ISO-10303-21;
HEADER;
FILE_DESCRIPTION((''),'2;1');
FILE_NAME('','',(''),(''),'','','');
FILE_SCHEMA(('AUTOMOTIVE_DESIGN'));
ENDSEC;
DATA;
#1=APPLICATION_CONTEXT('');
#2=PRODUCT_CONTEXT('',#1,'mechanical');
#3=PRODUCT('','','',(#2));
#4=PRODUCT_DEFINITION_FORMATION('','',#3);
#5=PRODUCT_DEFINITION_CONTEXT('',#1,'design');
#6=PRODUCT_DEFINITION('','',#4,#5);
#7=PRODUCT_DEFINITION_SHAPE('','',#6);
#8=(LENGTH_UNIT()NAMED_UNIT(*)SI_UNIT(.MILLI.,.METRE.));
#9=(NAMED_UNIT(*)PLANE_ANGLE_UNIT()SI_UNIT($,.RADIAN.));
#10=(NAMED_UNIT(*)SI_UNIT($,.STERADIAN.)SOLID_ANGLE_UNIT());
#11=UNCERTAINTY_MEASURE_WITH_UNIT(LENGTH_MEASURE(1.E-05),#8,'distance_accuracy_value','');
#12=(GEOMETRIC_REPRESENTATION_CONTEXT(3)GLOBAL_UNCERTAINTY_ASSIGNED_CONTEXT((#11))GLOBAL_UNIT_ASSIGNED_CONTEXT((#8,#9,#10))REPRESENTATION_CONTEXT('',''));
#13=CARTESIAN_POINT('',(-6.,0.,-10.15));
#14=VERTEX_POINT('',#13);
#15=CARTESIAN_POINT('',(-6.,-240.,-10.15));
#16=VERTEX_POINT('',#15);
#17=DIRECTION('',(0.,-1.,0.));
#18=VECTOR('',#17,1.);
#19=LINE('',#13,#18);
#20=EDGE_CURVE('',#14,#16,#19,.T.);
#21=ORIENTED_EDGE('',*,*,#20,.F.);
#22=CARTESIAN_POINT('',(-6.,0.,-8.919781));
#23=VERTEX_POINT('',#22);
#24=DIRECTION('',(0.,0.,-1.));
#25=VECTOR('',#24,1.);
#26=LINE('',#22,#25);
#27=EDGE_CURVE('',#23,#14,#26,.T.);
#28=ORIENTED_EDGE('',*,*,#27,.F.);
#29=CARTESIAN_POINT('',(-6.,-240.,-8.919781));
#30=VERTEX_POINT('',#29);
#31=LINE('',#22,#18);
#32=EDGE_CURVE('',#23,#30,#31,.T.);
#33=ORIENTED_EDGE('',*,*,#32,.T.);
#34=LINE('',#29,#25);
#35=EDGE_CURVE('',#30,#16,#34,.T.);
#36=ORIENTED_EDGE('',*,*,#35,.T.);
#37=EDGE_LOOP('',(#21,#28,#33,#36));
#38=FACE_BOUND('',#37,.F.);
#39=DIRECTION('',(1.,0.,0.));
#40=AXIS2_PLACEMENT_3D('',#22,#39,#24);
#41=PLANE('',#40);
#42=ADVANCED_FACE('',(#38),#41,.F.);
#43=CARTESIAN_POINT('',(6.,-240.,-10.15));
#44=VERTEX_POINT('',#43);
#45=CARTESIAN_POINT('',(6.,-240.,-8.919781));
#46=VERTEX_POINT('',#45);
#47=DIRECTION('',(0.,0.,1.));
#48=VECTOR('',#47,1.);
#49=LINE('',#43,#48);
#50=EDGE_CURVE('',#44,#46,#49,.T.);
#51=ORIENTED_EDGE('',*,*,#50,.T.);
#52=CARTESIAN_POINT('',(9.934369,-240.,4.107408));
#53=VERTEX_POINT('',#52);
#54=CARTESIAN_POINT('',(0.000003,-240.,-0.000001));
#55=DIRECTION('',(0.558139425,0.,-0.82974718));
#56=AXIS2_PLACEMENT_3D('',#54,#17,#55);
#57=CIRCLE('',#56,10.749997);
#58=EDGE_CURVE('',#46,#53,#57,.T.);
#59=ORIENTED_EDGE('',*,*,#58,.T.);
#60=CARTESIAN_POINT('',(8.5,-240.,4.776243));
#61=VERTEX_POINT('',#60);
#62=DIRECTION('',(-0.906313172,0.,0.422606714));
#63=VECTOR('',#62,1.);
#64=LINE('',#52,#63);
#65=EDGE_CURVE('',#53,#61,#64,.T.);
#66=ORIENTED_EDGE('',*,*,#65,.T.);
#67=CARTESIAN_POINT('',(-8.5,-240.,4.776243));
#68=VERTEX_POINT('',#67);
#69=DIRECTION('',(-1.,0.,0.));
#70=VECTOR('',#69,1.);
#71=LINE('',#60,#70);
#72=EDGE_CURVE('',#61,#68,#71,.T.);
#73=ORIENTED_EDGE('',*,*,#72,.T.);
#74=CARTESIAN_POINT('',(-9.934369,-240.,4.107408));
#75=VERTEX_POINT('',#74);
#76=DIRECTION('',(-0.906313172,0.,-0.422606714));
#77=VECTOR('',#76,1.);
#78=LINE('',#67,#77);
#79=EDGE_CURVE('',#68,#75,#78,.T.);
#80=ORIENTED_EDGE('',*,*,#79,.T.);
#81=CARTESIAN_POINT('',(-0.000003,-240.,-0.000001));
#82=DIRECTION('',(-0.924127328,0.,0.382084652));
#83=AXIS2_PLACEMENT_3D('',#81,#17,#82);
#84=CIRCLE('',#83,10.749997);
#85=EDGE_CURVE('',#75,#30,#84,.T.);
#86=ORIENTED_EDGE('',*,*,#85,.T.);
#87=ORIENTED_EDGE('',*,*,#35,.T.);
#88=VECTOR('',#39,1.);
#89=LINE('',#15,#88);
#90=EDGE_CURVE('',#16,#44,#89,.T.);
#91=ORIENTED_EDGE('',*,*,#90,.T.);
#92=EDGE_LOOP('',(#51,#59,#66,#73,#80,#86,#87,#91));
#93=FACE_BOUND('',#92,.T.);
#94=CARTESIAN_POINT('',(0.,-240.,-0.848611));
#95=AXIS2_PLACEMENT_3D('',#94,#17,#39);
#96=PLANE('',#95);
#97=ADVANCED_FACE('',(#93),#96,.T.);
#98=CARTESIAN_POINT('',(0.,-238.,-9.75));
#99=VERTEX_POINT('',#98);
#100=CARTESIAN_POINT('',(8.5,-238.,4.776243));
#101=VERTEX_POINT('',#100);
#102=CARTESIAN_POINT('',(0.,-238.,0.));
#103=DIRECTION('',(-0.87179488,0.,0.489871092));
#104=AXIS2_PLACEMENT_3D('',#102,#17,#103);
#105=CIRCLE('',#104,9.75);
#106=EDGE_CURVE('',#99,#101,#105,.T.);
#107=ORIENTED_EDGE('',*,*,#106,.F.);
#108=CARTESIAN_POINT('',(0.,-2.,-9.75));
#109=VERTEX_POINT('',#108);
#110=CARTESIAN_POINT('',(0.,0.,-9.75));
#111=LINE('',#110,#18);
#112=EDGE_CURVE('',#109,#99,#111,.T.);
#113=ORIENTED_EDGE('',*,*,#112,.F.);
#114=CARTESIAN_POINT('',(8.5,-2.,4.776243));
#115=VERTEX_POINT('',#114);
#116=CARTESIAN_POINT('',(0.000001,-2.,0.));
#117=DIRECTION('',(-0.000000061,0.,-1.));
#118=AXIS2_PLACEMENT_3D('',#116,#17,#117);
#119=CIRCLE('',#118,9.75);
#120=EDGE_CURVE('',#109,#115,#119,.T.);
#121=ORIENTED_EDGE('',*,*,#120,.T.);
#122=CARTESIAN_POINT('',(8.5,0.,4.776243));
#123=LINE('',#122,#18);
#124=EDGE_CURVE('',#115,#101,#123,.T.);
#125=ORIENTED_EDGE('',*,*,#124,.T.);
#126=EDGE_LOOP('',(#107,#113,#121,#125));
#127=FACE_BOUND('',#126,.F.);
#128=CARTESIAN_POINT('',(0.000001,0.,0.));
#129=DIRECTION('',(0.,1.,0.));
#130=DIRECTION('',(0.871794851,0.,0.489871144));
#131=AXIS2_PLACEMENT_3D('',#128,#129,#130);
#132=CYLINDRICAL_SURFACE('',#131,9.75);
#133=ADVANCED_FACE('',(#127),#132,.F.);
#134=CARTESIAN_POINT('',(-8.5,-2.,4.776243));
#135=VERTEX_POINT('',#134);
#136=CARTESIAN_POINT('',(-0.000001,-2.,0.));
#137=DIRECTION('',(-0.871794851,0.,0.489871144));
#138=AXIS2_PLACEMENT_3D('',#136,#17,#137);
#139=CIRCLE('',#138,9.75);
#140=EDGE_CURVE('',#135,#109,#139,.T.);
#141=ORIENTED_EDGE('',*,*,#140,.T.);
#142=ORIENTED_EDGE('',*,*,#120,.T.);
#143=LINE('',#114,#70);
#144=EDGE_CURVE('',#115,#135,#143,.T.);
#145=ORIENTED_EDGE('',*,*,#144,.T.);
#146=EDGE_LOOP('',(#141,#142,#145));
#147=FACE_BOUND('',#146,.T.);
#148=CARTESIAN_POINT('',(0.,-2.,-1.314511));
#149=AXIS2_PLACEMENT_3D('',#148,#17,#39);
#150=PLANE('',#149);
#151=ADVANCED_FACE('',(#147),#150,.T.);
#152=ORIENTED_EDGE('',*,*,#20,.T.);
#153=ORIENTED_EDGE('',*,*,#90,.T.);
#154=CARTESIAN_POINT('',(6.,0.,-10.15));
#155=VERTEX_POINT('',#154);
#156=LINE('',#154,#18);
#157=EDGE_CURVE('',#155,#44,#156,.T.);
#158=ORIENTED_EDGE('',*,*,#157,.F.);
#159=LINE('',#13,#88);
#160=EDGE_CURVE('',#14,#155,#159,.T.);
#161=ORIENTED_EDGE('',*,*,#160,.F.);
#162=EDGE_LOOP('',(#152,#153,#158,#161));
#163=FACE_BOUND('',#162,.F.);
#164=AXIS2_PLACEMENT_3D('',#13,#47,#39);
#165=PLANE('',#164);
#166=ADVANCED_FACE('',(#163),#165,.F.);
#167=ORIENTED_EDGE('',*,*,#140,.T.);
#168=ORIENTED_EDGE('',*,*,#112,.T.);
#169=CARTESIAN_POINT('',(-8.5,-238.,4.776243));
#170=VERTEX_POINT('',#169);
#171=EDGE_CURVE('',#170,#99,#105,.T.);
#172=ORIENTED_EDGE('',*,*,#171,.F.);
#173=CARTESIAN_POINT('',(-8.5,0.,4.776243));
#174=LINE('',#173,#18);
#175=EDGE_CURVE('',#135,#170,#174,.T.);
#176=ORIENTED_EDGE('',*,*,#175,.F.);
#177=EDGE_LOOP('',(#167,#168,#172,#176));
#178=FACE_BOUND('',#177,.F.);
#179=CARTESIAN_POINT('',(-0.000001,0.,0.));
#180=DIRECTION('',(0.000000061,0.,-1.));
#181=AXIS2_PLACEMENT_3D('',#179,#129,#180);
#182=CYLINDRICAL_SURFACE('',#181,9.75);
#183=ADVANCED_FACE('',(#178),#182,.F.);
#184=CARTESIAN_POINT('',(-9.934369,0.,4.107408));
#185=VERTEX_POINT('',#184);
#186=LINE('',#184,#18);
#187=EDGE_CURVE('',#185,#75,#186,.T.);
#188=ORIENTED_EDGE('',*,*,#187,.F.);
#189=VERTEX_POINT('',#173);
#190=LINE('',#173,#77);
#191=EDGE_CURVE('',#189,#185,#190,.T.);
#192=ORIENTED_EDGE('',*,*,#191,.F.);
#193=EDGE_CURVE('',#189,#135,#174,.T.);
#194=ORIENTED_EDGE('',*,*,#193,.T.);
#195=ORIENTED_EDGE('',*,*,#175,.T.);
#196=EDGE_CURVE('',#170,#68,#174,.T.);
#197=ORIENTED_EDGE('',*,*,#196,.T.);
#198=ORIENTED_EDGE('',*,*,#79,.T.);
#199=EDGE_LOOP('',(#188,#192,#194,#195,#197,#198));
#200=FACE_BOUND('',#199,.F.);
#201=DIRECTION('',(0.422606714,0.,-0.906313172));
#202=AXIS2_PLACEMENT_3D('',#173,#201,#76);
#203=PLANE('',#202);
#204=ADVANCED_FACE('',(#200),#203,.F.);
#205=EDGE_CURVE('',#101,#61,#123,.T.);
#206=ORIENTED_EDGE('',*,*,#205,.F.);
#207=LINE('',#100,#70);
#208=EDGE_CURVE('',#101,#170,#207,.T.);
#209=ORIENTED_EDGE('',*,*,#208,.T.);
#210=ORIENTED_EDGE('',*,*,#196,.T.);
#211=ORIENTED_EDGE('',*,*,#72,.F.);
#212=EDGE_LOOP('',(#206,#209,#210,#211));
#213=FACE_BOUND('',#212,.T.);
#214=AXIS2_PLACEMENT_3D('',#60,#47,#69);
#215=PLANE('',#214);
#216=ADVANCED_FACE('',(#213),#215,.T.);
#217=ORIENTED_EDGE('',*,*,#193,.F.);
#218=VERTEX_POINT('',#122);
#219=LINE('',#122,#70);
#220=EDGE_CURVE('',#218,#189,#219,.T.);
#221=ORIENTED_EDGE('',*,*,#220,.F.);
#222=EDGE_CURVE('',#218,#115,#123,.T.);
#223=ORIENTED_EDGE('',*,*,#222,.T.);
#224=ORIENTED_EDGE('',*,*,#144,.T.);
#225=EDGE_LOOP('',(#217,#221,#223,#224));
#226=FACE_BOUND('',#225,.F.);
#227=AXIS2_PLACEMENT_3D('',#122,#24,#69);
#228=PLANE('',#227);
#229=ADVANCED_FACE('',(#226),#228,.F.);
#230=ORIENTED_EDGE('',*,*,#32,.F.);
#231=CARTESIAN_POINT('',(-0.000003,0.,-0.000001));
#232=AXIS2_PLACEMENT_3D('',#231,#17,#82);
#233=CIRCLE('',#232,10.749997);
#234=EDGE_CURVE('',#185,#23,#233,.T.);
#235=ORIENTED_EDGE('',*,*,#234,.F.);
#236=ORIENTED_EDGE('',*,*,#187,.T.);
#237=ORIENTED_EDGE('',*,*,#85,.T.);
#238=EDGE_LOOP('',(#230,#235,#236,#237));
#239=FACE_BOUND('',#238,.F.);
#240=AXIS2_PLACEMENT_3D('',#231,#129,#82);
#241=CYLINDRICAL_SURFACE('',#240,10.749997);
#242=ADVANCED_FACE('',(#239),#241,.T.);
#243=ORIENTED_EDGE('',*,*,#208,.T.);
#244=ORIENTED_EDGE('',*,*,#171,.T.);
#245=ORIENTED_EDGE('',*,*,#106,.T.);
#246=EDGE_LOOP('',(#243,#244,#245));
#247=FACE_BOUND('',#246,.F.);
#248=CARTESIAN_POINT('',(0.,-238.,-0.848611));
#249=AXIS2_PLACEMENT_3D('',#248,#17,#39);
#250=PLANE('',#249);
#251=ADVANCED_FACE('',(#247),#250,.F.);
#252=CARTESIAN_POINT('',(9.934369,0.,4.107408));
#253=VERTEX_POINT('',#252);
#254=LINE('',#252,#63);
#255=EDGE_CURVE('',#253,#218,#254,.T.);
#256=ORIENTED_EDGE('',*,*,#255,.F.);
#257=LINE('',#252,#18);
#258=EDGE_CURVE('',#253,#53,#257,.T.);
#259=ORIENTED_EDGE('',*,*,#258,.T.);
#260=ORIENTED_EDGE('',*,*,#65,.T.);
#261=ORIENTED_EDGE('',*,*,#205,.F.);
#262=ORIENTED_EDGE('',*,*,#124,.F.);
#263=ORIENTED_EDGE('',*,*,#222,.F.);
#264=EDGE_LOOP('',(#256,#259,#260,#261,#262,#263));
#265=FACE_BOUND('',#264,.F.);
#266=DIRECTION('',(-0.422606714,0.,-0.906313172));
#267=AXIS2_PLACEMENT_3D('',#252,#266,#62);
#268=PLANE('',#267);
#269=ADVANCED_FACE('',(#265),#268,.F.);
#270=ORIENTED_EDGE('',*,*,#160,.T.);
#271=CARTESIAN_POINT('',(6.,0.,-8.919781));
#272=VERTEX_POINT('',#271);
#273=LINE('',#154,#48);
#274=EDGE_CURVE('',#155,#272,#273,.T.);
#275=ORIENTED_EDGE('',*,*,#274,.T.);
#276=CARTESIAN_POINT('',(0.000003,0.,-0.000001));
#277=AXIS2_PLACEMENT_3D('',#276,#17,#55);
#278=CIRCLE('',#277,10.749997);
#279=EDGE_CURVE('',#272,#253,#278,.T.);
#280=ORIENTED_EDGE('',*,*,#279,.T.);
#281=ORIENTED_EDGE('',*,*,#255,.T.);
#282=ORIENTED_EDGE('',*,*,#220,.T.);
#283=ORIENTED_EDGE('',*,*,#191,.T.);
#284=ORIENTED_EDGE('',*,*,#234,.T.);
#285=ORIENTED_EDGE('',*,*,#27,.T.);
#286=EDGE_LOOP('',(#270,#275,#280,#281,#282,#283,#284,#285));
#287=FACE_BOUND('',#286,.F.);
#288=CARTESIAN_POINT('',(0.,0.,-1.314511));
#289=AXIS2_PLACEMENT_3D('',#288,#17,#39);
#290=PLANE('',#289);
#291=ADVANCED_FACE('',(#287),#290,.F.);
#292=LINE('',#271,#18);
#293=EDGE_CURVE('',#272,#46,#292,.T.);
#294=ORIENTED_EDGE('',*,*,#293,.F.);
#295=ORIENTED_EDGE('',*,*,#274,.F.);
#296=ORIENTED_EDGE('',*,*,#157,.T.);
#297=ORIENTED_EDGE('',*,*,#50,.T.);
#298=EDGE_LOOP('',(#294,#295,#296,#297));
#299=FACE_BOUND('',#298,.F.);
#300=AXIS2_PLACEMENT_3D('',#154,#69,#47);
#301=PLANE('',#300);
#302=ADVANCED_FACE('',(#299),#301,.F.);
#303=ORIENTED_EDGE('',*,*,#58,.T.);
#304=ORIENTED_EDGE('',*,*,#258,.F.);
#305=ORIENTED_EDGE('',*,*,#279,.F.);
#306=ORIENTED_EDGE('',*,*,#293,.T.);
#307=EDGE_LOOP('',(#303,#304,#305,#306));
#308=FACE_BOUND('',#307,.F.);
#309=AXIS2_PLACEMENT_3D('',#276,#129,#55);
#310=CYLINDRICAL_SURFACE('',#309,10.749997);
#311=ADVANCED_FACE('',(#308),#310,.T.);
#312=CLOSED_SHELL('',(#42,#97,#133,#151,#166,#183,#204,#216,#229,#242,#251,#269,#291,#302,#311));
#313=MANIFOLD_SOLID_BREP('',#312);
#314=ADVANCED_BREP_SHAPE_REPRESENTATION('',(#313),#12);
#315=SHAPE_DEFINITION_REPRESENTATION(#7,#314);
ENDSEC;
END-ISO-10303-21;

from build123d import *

# Parameters (mm, degrees)
F1_DEPTH = 240
F2_DEPTH = 2
F4_DEPTH = 2


with BuildPart() as f1:
    # F0 (on Front) → F1 (new body)
    with BuildSketch(Plane.XZ):
        with BuildLine():
            ThreePointArc((-6, -8.919781), (-5.280189, -9.363872), (-4.527693, -9.75))
            Line((-4.527693, -9.75), (0, -9.75))
            ThreePointArc((0, -9.75), (-8.415191, -4.924131), (-8.5, 4.776243))
            Line((-8.5, 4.776243), (-9.934369, 4.107408))
            ThreePointArc((-9.934369, 4.107408), (-10.290916, -3.107982), (-6, -8.919781))
        make_face()
        with BuildLine():
            ThreePointArc((8.5, 4.776243), (8.415191, -4.924131), (0, -9.75))
            Line((0, -9.75), (4.527693, -9.75))
            ThreePointArc((4.527693, -9.75), (5.280189, -9.363872), (6, -8.919781))
            ThreePointArc((6, -8.919781), (10.290916, -3.107982), (9.934369, 4.107408))
            Line((9.934369, 4.107408), (8.5, 4.776243))
        make_face()
        with BuildLine():
            Line((0, -9.75), (-4.527693, -9.75))
            ThreePointArc((-4.527693, -9.75), (-5.280189, -9.363872), (-6, -8.919781))
            Line((-6, -8.919781), (-6, -9.75))
            Line((-6, -9.75), (-6, -10.15))
            Line((-6, -10.15), (6, -10.15))
            Line((6, -10.15), (6, -9.75))
            Line((6, -9.75), (6, -8.919781))
            ThreePointArc((6, -8.919781), (5.280189, -9.363872), (4.527693, -9.75))
            Line((4.527693, -9.75), (0, -9.75))
        make_face()
    extrude(amount=F1_DEPTH)

    # F0 (on Front) → F2 (join)
    with BuildSketch(Plane.XZ):
        with BuildLine():
            ThreePointArc((-8.5, 4.776243), (-8.415191, -4.924131), (0, -9.75))
            ThreePointArc((0, -9.75), (8.415191, -4.924131), (8.5, 4.776243))
            Line((8.5, 4.776243), (-8.5, 4.776243))
        make_face()
    extrude(amount=F2_DEPTH)

    # F3 (on face) → F4 (join)
    with BuildSketch(Plane.XZ.offset(240)):
        with BuildLine():
            Line((8.5, 4.776243), (-8.5, 4.776243))
            ThreePointArc((-8.5, 4.776243), (0, -9.75), (8.5, 4.776243))
        make_face()
    extrude(amount=-F4_DEPTH)


solid = f1.part
